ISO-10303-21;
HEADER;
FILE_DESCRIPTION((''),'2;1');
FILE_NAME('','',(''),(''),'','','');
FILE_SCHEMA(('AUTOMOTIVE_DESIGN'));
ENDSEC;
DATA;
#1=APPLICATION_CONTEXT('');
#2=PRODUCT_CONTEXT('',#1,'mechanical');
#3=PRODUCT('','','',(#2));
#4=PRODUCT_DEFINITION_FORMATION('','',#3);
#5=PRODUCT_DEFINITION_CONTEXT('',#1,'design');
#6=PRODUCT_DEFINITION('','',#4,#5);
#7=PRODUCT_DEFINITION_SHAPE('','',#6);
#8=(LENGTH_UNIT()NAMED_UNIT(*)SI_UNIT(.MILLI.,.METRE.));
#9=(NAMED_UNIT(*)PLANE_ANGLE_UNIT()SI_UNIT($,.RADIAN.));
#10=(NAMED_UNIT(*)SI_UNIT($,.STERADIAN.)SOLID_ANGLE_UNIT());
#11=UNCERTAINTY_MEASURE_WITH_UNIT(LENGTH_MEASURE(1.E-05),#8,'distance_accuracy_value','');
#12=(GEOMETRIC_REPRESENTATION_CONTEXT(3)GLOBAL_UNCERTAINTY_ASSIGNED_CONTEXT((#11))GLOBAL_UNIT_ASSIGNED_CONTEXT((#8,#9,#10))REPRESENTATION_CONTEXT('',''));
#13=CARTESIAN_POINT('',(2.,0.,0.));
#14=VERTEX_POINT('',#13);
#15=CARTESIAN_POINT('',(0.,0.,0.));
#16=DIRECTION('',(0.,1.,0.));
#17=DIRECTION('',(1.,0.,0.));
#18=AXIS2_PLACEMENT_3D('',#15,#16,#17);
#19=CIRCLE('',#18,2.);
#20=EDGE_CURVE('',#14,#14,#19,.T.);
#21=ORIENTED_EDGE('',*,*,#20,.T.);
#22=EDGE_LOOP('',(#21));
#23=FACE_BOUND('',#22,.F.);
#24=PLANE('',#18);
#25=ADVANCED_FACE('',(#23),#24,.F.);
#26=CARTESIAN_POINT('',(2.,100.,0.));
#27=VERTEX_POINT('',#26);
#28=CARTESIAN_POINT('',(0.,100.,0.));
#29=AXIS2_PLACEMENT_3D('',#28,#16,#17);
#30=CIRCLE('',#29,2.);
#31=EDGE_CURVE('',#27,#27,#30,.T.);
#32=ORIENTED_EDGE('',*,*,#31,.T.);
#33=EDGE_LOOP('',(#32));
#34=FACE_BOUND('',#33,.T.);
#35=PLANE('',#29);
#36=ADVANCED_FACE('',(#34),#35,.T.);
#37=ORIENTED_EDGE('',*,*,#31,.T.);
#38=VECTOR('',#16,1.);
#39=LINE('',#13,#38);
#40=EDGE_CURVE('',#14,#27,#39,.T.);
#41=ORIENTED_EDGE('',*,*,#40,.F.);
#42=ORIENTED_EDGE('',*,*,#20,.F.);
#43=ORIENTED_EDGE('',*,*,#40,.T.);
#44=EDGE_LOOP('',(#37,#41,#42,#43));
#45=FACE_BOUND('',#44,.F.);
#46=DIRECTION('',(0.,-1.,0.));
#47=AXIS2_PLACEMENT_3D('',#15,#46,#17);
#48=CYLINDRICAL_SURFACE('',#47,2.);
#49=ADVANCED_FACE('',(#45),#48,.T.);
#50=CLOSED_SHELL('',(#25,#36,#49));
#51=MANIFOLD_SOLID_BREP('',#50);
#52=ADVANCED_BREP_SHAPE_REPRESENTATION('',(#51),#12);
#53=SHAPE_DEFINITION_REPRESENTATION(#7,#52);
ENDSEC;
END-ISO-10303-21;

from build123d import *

# Parameters (mm, degrees)
SKETCH1_R           = 2
BOSS_EXTRUDE1_DEPTH = 100


with BuildPart() as part:
    # Sketch1 → Boss-Extrude1 (new body)
    with BuildSketch(Plane(origin=(0, 0, 0), x_dir=(1, 0, 0), z_dir=(0, 1, 0))):
        Circle(SKETCH1_R)
    extrude(amount=BOSS_EXTRUDE1_DEPTH)


solid = part.part
